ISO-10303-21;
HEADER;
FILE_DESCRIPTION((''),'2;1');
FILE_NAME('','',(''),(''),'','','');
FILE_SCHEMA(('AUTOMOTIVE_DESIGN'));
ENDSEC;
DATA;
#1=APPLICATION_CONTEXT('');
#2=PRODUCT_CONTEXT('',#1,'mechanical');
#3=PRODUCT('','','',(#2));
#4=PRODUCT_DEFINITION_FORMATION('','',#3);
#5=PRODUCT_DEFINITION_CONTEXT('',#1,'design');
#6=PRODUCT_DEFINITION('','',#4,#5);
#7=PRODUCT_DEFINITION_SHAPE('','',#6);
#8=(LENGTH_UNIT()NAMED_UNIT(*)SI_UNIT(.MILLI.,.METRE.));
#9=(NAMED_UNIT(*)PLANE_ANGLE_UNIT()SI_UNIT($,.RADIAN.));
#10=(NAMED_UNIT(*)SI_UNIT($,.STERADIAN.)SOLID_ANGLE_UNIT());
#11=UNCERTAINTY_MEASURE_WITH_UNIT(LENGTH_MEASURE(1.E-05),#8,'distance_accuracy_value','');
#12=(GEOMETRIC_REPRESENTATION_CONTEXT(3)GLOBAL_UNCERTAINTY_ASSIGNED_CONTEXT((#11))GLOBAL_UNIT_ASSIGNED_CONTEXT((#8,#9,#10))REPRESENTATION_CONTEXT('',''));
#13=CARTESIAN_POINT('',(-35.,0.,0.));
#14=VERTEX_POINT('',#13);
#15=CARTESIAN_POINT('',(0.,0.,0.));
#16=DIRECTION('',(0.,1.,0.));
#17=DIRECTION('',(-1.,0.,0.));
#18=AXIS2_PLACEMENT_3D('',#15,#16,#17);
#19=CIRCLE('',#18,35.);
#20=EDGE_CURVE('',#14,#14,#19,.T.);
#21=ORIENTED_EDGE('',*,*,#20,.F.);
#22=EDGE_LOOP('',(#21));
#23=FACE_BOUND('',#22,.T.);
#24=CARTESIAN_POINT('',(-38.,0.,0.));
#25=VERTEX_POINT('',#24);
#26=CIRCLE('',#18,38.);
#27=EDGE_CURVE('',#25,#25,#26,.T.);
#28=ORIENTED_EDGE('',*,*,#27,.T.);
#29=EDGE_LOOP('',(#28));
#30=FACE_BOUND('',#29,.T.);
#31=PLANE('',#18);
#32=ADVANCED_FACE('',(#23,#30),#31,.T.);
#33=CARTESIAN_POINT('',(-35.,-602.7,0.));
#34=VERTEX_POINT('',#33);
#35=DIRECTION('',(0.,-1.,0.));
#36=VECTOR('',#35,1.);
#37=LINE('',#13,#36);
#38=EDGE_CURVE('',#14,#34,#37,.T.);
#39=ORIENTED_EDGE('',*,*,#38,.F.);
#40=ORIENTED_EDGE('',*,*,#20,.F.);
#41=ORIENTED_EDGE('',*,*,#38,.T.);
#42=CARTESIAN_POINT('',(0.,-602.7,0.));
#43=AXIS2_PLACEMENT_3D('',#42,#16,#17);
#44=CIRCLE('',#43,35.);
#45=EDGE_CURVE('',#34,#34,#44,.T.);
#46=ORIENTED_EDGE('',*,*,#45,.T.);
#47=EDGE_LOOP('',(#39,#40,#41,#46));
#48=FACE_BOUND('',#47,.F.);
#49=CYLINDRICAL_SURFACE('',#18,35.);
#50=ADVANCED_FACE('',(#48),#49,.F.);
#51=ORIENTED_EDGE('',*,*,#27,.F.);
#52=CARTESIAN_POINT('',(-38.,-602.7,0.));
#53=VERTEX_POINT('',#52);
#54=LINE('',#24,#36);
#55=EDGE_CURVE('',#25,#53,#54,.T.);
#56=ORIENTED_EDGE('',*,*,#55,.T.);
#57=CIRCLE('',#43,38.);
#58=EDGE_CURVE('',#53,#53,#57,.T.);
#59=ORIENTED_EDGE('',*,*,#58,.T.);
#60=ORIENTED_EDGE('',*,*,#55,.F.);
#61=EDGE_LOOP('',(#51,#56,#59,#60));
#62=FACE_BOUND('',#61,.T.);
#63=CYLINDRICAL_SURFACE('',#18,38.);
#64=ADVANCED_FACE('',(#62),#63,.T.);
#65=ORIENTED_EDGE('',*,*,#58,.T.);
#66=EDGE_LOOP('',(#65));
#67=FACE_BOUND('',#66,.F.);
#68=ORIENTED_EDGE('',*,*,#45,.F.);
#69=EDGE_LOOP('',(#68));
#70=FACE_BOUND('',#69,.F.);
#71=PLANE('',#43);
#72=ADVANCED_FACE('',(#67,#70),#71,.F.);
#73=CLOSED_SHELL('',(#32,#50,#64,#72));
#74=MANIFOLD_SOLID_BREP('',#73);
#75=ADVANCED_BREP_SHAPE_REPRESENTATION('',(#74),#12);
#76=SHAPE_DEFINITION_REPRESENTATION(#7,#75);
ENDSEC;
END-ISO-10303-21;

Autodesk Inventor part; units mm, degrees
ref_plane "YZ Plane" through (0, 0, 0) normal (1, 0, 0) x (0, 1, 0)
ref_plane "XZ Plane" through (0, 0, 0) normal (0, 1, 0) x (-1, 0, 0)
ref_plane "XY Plane" through (0, 0, 0) normal (0, 0, 1) x (1, 0, 0)
sketch "Sketch1" plane through (0, 0, 0) normal (0, 1, 0) x (-1, 0, 0)
  circle A0 centre (0, 0) radius 38
  circle A1 centre (0, 0) radius 35
  dimension "d0" = 76
  dimension "d1" = 3
extrude "Extrusion1" add sketch "Sketch1" against normal blind 602.7
properties part number "TZS 1233 FDS tube 3"
